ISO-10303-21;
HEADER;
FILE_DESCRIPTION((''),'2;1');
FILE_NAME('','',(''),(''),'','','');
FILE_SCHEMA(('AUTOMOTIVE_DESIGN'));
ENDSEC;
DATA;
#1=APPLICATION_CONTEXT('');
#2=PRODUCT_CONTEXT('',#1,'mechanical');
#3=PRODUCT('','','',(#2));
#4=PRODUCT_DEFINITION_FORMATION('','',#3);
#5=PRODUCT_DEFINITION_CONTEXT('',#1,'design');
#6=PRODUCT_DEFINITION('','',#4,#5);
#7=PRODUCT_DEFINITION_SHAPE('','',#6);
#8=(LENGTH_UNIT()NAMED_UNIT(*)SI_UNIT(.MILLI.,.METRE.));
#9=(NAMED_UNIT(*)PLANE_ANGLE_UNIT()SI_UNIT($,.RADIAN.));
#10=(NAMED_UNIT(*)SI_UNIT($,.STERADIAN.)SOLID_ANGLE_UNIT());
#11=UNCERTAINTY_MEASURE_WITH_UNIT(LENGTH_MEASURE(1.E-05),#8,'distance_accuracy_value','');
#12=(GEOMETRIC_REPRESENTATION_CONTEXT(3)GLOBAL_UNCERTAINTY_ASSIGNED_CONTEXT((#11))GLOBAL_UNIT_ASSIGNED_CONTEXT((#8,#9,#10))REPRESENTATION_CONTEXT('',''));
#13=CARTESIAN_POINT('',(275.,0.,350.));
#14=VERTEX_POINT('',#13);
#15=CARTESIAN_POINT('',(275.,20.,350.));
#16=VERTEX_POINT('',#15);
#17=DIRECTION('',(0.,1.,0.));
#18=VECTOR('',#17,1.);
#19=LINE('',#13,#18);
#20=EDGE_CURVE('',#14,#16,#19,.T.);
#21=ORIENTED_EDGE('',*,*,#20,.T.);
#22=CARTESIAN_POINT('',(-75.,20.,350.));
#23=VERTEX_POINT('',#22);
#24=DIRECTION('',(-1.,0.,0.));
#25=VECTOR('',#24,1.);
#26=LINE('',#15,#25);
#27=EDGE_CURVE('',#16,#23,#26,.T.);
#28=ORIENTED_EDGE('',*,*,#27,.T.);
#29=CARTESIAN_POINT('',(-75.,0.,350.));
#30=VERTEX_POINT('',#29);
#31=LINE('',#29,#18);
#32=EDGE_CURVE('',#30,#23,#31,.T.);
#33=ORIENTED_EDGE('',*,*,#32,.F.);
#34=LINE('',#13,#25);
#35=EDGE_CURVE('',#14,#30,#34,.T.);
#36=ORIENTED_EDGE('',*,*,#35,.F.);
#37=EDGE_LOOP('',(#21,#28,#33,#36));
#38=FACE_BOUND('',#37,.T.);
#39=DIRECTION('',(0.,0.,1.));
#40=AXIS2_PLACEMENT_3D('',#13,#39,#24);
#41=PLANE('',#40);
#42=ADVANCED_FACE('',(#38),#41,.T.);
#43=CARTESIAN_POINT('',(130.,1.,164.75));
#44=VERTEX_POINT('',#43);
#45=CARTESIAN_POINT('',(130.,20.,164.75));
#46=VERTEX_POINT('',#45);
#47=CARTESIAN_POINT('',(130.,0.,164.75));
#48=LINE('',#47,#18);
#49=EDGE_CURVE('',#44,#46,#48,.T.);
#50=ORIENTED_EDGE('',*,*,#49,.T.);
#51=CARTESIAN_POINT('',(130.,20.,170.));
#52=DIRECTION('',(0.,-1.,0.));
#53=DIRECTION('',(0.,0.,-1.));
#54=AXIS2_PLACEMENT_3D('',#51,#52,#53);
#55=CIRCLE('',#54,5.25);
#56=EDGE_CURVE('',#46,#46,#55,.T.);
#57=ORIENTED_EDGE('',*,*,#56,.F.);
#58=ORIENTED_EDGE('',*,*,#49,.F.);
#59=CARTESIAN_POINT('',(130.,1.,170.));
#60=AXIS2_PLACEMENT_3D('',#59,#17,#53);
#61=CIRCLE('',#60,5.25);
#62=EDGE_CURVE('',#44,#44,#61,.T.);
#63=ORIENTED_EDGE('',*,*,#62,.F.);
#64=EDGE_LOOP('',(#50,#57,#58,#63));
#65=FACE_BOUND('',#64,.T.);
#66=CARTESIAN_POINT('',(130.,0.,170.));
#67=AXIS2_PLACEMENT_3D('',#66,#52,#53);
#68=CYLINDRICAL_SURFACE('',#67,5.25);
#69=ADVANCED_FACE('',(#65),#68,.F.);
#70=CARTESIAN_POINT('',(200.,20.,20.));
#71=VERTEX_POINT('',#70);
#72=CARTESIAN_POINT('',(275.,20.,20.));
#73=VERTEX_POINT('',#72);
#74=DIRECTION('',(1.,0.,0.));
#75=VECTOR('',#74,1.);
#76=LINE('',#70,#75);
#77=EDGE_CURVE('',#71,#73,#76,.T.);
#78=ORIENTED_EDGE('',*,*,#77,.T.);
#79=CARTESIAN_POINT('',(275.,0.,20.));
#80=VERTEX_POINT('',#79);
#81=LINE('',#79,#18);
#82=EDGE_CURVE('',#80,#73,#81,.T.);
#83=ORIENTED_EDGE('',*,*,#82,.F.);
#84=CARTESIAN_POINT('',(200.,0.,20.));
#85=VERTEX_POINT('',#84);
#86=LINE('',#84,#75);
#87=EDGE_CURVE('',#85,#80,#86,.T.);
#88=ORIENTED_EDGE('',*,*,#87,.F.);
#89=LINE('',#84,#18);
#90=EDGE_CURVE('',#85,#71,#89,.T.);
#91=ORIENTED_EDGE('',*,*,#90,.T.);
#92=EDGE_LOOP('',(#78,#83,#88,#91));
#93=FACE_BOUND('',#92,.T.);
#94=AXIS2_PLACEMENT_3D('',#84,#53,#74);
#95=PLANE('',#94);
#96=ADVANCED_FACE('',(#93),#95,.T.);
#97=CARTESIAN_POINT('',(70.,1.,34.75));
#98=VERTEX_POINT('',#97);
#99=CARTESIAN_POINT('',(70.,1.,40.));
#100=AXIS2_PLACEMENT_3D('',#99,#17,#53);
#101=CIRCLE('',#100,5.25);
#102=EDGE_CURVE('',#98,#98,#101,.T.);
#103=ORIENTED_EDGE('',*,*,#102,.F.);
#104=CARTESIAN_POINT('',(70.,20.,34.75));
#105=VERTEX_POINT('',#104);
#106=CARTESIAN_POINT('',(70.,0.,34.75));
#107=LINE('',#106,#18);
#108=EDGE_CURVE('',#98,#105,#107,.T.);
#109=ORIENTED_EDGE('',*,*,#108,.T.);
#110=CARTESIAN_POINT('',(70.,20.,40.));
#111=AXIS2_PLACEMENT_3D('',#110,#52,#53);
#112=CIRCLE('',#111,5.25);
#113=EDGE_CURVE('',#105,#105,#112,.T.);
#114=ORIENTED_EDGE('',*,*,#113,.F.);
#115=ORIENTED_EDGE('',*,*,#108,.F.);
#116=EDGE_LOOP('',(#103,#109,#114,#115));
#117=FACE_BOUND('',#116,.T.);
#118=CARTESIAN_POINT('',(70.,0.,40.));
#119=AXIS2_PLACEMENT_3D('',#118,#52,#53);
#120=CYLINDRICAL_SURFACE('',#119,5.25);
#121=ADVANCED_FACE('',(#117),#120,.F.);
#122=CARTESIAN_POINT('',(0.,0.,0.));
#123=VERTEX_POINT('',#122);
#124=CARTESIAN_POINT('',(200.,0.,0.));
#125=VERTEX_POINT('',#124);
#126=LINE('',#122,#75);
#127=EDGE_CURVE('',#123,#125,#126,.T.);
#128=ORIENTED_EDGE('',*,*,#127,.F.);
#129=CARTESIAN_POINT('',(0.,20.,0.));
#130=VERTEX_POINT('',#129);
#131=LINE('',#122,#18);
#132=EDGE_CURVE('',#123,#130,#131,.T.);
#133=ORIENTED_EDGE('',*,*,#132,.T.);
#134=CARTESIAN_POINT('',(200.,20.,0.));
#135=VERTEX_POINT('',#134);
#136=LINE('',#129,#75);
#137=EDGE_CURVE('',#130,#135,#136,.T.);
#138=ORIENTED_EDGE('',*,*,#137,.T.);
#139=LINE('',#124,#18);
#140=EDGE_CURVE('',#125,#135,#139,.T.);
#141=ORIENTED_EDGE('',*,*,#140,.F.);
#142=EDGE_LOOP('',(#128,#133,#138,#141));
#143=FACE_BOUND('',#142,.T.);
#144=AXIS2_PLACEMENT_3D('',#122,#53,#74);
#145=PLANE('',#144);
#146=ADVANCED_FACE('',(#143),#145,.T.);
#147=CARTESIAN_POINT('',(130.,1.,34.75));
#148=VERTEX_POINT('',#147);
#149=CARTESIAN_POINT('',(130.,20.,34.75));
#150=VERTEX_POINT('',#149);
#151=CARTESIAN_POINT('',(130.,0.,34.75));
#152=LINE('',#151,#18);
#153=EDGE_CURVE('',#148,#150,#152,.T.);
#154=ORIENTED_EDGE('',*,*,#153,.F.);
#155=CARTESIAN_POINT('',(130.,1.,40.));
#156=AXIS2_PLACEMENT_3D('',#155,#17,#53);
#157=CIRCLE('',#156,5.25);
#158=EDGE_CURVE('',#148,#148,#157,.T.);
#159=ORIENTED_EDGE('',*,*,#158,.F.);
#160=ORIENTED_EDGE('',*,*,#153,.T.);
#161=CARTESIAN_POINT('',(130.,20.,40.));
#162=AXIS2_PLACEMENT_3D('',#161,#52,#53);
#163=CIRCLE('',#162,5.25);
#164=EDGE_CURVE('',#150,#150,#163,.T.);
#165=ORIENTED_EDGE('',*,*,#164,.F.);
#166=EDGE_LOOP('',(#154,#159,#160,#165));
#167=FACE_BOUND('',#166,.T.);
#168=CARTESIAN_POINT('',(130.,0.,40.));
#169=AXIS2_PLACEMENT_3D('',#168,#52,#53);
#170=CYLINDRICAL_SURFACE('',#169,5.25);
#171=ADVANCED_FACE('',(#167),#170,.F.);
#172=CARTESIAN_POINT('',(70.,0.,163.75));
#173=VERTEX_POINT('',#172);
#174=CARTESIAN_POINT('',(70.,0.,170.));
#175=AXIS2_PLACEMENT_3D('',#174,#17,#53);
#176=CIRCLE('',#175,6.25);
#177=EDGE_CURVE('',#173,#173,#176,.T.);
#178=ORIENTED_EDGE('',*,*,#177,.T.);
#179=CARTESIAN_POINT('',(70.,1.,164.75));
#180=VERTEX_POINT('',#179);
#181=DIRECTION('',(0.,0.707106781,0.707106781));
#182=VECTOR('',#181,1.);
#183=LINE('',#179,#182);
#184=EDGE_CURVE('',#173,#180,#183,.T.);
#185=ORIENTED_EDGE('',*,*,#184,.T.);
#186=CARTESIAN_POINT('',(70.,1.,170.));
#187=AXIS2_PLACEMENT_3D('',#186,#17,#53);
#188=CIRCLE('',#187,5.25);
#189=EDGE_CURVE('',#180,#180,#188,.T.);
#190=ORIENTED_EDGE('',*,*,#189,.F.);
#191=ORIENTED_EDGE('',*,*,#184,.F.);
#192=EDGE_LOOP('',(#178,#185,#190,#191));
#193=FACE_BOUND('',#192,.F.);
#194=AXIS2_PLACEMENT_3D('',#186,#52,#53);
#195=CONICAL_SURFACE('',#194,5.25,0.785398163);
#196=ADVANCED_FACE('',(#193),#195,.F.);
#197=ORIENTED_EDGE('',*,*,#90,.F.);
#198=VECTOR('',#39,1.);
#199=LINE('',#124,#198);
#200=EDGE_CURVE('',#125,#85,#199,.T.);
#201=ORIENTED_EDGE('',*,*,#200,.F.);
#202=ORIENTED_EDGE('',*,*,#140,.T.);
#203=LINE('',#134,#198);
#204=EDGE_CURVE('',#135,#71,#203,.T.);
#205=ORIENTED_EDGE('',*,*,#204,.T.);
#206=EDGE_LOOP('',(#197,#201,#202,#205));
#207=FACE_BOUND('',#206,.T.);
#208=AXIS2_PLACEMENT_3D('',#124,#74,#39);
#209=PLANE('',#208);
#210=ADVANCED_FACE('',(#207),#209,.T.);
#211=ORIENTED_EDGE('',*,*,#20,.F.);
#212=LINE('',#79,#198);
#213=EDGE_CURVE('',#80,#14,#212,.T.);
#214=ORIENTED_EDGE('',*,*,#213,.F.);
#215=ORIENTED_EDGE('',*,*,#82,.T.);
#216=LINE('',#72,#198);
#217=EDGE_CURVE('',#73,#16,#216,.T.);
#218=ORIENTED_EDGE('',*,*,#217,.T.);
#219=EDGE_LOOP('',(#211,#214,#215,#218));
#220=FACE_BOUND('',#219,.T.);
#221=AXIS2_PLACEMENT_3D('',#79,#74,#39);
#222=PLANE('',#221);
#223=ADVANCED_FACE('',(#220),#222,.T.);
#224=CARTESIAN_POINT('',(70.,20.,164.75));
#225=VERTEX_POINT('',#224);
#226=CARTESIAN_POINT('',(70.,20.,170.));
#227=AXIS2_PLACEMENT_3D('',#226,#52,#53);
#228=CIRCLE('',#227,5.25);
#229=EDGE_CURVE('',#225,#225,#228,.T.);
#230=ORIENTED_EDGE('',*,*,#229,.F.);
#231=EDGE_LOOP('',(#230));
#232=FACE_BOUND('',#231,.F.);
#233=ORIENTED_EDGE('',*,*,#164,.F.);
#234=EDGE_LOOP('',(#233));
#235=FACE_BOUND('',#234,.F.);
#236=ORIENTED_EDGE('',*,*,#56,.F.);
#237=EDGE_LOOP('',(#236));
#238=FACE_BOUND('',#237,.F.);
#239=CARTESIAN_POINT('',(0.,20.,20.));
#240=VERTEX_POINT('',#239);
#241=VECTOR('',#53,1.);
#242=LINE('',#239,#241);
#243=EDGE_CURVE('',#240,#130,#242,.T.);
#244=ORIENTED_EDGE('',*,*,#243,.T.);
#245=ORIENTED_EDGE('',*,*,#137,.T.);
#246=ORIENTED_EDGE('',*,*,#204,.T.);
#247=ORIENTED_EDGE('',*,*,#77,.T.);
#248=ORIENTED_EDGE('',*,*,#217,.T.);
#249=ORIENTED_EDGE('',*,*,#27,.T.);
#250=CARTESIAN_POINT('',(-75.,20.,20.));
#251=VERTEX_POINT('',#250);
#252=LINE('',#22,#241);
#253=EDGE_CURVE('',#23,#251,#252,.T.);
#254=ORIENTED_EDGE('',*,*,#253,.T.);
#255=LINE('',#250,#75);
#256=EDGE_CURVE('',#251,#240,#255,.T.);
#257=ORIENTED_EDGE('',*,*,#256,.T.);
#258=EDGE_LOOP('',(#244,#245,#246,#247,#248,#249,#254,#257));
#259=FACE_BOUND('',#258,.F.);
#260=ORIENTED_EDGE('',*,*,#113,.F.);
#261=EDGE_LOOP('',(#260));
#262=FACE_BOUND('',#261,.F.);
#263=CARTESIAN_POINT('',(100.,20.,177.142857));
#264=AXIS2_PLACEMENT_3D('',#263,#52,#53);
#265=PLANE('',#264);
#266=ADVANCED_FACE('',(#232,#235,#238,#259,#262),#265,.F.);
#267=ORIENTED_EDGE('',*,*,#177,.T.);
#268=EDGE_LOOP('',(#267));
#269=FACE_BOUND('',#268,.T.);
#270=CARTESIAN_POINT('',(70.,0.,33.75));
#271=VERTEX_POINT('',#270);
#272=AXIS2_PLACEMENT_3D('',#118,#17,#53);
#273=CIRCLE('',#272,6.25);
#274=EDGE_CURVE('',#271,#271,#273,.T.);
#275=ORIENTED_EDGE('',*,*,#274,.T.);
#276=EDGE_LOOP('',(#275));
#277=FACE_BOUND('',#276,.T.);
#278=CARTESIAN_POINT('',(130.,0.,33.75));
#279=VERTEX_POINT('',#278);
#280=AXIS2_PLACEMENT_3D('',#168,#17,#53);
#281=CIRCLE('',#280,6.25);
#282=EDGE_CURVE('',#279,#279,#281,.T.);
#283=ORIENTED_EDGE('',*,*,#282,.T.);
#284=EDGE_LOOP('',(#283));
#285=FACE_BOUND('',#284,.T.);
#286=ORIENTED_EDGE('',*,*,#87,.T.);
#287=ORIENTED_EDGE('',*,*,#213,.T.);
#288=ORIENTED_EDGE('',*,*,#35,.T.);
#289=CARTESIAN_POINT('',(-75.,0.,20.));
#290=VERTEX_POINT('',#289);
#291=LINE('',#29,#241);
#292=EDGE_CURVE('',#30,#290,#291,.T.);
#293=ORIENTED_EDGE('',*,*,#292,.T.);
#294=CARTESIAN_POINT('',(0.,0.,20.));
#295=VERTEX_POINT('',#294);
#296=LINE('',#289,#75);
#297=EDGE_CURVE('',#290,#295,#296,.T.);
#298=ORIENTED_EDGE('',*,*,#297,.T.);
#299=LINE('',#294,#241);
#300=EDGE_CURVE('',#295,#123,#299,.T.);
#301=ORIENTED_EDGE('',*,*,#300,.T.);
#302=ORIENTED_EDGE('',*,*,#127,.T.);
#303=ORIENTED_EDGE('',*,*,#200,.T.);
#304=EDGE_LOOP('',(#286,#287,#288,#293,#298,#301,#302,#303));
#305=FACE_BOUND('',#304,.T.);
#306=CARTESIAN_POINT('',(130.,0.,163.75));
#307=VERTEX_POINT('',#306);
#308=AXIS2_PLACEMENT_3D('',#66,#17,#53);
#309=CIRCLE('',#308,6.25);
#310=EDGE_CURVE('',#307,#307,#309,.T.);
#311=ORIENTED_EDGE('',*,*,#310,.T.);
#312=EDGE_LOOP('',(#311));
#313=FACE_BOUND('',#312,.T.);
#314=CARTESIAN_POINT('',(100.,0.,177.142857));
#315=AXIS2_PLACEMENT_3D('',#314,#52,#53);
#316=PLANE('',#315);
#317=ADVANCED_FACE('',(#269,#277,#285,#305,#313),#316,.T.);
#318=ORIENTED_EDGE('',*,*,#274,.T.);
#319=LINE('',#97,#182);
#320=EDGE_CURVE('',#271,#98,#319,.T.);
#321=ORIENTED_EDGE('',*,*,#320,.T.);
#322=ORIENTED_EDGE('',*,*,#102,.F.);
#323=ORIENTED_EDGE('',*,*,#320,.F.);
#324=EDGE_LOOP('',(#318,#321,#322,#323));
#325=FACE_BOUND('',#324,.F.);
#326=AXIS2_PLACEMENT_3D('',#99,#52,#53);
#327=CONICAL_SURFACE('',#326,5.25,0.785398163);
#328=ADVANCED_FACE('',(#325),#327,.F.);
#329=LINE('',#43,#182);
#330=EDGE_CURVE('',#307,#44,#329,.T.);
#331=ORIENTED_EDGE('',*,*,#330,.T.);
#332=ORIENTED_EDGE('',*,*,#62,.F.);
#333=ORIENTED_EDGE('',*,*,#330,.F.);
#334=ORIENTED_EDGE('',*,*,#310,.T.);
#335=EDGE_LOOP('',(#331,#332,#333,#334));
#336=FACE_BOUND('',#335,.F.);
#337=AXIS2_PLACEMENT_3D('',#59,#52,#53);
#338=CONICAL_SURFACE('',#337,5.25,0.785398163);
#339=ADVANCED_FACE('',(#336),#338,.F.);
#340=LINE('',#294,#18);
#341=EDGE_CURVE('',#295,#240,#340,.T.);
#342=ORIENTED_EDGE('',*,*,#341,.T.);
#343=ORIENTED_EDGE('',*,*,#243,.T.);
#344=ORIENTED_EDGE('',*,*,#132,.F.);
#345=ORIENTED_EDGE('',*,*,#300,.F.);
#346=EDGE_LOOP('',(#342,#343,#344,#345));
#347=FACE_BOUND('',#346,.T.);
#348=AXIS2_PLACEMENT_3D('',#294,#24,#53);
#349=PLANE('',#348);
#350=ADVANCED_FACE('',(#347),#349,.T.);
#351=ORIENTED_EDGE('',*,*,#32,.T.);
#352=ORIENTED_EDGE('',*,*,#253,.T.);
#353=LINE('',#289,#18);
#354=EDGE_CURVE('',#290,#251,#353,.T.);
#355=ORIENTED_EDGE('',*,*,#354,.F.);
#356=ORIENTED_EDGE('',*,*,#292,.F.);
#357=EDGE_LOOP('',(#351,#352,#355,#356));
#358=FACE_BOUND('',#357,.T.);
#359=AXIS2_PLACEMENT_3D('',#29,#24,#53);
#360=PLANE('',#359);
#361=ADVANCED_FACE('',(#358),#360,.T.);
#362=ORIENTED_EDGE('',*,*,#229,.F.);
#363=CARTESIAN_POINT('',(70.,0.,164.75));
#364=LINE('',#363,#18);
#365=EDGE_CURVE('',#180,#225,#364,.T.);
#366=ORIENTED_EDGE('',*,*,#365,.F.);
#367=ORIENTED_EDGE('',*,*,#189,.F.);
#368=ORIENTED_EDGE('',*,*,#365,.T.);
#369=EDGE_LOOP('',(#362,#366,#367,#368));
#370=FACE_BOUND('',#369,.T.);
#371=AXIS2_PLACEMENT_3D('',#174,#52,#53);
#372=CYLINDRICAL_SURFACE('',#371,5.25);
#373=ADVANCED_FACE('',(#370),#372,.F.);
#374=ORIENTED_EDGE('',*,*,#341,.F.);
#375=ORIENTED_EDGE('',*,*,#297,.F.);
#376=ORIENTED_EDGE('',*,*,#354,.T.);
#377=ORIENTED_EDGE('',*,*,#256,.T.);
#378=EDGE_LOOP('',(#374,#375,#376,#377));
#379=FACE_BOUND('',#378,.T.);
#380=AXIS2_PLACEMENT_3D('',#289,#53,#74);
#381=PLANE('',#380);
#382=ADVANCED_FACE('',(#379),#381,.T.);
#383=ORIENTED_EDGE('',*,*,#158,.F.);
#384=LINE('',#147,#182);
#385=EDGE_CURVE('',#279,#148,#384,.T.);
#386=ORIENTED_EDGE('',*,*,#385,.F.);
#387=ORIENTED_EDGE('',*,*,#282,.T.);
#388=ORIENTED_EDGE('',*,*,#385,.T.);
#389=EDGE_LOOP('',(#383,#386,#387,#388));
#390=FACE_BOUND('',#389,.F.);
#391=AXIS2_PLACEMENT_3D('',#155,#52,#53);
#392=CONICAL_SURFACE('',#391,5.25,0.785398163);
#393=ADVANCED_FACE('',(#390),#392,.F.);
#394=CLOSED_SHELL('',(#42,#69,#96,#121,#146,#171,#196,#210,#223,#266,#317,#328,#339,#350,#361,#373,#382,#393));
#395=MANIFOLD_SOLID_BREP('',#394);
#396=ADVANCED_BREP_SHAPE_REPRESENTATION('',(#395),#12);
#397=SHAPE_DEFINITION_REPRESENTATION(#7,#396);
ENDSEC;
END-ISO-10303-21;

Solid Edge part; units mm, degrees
sketch "Sketch1" plane through (0, 0, 0) normal (0, -1, 0) x (1, 0, 0)
  line L0 (275, 20) -> (275, 350)
  line L1 (275, 350) -> (-75, 350)
  line L2 (-75, 350) -> (-75, 20)
  line L3 (-75, 20) -> (0, 20)
  line L4 (0, 20) -> (0, 0)
  line L5 (0, 0) -> (200, 0)
  line L6 (200, 0) -> (200, 20)
  line L7 (200, 20) -> (275, 20)
extrude "Protrusion1" add sketch "Sketch1" against normal blind 20
hole "Bohrung_1" at (70, 0, 40) direction (0, 1, 0) diameter 10.5 end up to next start chamfer 1 start chamfer angle 45
hole "Hole1" at (130, 0, 40) direction (0, 1, 0) diameter 10.5 end up to next start chamfer 1 start chamfer angle 45
hole "Hole2" at (130, 0, 170) direction (0, 1, 0) diameter 10.5 end up to next start chamfer 1 start chamfer angle 45
hole "Hole3" at (70, 0, 170) direction (0, 1, 0) diameter 10.5 end up to next start chamfer 1 start chamfer angle 45
